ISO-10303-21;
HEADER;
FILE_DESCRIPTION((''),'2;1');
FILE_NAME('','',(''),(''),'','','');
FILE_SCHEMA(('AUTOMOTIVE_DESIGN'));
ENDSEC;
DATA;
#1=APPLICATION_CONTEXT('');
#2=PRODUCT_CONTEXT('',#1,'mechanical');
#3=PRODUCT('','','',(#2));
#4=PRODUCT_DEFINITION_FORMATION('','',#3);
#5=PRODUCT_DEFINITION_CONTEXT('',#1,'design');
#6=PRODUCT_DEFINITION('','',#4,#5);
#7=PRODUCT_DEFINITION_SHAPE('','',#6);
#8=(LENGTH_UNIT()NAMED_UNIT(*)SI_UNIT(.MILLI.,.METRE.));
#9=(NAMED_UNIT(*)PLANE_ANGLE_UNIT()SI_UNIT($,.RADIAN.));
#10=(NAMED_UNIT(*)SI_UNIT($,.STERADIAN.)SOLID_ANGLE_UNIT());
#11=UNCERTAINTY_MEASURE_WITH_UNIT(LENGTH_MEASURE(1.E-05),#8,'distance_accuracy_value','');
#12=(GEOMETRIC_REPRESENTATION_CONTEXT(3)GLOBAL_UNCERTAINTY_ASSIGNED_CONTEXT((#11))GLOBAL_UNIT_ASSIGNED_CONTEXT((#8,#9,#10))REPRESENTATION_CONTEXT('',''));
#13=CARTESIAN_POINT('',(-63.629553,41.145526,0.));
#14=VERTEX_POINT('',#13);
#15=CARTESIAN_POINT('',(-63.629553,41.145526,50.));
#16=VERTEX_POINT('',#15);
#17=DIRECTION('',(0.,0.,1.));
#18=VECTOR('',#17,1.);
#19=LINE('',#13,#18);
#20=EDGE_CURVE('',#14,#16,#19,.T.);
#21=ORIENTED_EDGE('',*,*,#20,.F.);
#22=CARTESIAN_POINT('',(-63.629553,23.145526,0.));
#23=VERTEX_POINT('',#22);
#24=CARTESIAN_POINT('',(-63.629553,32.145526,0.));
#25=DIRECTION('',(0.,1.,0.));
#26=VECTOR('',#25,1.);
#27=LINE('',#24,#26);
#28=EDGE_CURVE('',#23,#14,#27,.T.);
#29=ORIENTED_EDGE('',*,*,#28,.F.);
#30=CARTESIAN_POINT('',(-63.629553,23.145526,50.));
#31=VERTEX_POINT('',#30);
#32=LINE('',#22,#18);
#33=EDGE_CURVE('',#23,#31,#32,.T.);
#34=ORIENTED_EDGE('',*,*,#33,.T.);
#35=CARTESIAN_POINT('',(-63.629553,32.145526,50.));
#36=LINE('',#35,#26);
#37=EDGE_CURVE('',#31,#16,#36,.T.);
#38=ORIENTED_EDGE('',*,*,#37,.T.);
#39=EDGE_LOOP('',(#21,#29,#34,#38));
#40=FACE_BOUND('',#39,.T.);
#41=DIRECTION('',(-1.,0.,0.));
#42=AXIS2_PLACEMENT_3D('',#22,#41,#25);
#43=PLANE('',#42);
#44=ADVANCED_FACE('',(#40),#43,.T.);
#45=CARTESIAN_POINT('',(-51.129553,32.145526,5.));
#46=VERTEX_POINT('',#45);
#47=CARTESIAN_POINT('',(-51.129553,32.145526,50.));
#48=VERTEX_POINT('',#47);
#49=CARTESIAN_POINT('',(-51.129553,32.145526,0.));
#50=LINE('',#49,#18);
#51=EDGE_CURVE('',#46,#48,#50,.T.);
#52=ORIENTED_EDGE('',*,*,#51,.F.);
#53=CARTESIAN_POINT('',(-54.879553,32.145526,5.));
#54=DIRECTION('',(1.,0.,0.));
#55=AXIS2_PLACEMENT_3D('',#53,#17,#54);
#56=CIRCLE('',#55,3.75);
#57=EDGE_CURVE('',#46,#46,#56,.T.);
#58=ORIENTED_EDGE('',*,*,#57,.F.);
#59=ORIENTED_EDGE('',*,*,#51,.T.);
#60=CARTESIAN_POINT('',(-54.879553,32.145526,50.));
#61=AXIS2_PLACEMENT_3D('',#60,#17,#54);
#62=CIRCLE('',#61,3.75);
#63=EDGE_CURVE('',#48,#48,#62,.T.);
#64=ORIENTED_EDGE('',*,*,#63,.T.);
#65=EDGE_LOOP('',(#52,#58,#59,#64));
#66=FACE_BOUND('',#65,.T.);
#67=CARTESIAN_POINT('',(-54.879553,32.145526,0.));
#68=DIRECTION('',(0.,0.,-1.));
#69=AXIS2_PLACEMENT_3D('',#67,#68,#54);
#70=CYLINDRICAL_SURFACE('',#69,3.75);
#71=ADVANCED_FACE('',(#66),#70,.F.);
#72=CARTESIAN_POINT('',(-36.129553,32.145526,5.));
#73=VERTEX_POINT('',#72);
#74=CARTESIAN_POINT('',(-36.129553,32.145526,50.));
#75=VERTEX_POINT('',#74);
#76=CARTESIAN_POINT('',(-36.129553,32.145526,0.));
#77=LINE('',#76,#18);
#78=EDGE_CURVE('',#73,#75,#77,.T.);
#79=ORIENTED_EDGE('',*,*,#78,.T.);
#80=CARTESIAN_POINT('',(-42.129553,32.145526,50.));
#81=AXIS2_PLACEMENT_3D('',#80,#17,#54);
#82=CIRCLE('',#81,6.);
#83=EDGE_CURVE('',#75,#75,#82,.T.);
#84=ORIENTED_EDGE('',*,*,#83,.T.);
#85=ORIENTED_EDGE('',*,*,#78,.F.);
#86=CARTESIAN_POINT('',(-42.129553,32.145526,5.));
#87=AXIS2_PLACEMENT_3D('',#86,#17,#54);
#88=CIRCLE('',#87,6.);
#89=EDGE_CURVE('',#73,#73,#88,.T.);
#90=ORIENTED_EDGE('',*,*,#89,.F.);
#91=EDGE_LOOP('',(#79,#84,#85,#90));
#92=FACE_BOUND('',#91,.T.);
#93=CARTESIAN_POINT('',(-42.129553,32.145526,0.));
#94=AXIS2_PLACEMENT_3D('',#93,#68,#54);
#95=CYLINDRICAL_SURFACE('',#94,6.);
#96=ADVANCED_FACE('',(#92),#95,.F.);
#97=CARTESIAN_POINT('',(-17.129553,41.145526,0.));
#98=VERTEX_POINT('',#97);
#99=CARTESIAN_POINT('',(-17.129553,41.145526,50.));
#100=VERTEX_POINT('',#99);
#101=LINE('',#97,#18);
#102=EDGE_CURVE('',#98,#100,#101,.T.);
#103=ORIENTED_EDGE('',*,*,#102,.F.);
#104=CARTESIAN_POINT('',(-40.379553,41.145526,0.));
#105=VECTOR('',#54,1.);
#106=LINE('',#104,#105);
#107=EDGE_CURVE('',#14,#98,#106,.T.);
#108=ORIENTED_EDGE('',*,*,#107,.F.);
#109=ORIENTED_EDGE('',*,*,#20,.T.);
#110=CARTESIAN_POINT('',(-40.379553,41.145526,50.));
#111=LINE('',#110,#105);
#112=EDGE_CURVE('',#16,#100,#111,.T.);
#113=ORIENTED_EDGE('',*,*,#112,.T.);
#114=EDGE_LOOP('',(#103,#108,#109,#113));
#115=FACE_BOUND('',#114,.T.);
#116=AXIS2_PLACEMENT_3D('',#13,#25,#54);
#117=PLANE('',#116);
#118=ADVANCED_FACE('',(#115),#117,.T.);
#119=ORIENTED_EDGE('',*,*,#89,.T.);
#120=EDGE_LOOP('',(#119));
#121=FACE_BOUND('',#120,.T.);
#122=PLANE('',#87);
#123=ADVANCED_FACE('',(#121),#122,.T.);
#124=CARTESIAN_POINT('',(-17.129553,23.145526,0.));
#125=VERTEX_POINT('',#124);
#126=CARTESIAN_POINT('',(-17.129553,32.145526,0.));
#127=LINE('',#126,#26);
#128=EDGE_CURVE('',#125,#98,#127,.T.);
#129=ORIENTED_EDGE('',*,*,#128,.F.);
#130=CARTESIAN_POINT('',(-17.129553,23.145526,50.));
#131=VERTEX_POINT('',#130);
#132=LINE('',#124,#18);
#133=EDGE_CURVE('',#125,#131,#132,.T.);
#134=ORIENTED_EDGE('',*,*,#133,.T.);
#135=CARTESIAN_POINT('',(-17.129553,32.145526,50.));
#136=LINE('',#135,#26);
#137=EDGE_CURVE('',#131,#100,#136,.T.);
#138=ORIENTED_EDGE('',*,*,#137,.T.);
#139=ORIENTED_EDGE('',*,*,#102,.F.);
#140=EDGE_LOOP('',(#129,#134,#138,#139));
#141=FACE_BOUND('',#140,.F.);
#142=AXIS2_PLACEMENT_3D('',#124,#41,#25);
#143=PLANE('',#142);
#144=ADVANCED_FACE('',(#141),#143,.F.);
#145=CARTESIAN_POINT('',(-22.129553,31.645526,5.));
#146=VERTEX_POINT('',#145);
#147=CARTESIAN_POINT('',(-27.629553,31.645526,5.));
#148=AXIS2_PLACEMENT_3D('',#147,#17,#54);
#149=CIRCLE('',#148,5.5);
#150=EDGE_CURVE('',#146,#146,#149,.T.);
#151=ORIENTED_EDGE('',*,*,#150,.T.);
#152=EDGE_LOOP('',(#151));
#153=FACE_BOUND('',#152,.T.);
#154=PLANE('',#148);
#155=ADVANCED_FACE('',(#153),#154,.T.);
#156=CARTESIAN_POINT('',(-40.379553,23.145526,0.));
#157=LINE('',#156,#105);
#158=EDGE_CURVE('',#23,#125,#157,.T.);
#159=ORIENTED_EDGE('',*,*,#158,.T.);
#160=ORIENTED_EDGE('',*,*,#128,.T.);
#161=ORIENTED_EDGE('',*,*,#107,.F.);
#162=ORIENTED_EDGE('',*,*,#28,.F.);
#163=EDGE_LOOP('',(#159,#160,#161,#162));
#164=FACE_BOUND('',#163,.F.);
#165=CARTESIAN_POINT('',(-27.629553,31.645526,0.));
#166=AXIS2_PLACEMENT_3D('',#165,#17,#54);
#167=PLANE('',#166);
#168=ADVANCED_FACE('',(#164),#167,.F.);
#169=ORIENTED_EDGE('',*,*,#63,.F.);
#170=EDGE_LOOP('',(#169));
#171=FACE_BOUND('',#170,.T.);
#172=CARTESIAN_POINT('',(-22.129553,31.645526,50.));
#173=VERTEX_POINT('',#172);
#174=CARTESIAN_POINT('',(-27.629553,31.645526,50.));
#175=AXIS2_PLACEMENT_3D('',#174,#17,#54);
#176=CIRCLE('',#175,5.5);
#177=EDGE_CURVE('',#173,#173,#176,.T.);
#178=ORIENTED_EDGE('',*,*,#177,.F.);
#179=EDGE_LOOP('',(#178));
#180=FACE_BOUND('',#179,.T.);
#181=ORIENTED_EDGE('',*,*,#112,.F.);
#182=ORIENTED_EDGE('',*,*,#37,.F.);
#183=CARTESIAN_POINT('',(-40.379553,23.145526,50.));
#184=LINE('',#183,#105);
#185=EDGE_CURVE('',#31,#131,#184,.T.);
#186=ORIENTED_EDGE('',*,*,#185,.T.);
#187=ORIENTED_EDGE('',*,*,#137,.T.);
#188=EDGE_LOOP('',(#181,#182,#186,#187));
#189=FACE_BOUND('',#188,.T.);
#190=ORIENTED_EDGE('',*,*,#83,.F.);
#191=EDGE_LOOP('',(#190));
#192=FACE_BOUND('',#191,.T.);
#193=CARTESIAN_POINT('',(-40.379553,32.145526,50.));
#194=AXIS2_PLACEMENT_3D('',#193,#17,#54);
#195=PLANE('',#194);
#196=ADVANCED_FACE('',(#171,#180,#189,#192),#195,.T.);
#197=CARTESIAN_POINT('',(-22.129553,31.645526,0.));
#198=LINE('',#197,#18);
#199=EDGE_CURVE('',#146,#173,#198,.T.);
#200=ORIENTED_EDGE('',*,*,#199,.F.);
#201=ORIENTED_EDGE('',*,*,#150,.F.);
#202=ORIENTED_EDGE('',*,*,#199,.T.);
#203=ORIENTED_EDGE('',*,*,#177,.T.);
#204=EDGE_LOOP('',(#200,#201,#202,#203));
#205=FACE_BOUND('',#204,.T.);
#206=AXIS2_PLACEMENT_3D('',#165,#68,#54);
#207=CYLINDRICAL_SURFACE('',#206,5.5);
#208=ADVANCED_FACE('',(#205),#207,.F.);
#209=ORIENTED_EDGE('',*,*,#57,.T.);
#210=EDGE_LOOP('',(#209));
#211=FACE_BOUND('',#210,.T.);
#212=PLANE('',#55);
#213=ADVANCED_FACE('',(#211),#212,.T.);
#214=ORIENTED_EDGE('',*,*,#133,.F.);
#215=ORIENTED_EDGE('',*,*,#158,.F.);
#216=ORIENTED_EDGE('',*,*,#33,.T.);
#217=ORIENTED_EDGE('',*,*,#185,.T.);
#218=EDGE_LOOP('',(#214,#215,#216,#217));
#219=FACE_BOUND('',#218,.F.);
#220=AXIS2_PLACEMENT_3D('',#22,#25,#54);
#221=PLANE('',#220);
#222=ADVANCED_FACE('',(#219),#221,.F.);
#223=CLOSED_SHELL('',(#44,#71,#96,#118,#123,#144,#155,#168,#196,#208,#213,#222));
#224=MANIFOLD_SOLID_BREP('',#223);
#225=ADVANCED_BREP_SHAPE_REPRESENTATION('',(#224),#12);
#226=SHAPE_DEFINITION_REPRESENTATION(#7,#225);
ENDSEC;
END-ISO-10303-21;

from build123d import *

# Parameters (mm, degrees)
F0_W     = 46.5
F0_H     = 18
F0_R     = 5.5
F0_R_2   = 3.75
F0_R_3   = 6
F1_DEPTH = 50
F2_DEPTH = 5


with BuildPart() as f1:
    # F0 (on Top) → F1 (new body)
    with BuildSketch(Plane.XY):
        with Locations((-40.379553, 32.145526)):
            Rectangle(F0_W, F0_H)
        with Locations((-27.629553, 31.645526)):
            Circle(F0_R, mode=Mode.SUBTRACT)
        with Locations((-54.879553, 32.145526)):
            Circle(F0_R_2, mode=Mode.SUBTRACT)
        with Locations((-42.129553, 32.145526)):
            Circle(F0_R_3, mode=Mode.SUBTRACT)
    extrude(amount=F1_DEPTH)

    # F0 (on Top) → F2 (join)
    with BuildSketch(Plane.XY):
        with Locations((-27.629553, 31.645526)):
            Circle(F0_R)
        with Locations((-42.129553, 32.145526)):
            Circle(F0_R_3)
        with Locations((-54.879553, 32.145526)):
            Circle(F0_R_2)
    extrude(amount=F2_DEPTH)


solid = f1.part
